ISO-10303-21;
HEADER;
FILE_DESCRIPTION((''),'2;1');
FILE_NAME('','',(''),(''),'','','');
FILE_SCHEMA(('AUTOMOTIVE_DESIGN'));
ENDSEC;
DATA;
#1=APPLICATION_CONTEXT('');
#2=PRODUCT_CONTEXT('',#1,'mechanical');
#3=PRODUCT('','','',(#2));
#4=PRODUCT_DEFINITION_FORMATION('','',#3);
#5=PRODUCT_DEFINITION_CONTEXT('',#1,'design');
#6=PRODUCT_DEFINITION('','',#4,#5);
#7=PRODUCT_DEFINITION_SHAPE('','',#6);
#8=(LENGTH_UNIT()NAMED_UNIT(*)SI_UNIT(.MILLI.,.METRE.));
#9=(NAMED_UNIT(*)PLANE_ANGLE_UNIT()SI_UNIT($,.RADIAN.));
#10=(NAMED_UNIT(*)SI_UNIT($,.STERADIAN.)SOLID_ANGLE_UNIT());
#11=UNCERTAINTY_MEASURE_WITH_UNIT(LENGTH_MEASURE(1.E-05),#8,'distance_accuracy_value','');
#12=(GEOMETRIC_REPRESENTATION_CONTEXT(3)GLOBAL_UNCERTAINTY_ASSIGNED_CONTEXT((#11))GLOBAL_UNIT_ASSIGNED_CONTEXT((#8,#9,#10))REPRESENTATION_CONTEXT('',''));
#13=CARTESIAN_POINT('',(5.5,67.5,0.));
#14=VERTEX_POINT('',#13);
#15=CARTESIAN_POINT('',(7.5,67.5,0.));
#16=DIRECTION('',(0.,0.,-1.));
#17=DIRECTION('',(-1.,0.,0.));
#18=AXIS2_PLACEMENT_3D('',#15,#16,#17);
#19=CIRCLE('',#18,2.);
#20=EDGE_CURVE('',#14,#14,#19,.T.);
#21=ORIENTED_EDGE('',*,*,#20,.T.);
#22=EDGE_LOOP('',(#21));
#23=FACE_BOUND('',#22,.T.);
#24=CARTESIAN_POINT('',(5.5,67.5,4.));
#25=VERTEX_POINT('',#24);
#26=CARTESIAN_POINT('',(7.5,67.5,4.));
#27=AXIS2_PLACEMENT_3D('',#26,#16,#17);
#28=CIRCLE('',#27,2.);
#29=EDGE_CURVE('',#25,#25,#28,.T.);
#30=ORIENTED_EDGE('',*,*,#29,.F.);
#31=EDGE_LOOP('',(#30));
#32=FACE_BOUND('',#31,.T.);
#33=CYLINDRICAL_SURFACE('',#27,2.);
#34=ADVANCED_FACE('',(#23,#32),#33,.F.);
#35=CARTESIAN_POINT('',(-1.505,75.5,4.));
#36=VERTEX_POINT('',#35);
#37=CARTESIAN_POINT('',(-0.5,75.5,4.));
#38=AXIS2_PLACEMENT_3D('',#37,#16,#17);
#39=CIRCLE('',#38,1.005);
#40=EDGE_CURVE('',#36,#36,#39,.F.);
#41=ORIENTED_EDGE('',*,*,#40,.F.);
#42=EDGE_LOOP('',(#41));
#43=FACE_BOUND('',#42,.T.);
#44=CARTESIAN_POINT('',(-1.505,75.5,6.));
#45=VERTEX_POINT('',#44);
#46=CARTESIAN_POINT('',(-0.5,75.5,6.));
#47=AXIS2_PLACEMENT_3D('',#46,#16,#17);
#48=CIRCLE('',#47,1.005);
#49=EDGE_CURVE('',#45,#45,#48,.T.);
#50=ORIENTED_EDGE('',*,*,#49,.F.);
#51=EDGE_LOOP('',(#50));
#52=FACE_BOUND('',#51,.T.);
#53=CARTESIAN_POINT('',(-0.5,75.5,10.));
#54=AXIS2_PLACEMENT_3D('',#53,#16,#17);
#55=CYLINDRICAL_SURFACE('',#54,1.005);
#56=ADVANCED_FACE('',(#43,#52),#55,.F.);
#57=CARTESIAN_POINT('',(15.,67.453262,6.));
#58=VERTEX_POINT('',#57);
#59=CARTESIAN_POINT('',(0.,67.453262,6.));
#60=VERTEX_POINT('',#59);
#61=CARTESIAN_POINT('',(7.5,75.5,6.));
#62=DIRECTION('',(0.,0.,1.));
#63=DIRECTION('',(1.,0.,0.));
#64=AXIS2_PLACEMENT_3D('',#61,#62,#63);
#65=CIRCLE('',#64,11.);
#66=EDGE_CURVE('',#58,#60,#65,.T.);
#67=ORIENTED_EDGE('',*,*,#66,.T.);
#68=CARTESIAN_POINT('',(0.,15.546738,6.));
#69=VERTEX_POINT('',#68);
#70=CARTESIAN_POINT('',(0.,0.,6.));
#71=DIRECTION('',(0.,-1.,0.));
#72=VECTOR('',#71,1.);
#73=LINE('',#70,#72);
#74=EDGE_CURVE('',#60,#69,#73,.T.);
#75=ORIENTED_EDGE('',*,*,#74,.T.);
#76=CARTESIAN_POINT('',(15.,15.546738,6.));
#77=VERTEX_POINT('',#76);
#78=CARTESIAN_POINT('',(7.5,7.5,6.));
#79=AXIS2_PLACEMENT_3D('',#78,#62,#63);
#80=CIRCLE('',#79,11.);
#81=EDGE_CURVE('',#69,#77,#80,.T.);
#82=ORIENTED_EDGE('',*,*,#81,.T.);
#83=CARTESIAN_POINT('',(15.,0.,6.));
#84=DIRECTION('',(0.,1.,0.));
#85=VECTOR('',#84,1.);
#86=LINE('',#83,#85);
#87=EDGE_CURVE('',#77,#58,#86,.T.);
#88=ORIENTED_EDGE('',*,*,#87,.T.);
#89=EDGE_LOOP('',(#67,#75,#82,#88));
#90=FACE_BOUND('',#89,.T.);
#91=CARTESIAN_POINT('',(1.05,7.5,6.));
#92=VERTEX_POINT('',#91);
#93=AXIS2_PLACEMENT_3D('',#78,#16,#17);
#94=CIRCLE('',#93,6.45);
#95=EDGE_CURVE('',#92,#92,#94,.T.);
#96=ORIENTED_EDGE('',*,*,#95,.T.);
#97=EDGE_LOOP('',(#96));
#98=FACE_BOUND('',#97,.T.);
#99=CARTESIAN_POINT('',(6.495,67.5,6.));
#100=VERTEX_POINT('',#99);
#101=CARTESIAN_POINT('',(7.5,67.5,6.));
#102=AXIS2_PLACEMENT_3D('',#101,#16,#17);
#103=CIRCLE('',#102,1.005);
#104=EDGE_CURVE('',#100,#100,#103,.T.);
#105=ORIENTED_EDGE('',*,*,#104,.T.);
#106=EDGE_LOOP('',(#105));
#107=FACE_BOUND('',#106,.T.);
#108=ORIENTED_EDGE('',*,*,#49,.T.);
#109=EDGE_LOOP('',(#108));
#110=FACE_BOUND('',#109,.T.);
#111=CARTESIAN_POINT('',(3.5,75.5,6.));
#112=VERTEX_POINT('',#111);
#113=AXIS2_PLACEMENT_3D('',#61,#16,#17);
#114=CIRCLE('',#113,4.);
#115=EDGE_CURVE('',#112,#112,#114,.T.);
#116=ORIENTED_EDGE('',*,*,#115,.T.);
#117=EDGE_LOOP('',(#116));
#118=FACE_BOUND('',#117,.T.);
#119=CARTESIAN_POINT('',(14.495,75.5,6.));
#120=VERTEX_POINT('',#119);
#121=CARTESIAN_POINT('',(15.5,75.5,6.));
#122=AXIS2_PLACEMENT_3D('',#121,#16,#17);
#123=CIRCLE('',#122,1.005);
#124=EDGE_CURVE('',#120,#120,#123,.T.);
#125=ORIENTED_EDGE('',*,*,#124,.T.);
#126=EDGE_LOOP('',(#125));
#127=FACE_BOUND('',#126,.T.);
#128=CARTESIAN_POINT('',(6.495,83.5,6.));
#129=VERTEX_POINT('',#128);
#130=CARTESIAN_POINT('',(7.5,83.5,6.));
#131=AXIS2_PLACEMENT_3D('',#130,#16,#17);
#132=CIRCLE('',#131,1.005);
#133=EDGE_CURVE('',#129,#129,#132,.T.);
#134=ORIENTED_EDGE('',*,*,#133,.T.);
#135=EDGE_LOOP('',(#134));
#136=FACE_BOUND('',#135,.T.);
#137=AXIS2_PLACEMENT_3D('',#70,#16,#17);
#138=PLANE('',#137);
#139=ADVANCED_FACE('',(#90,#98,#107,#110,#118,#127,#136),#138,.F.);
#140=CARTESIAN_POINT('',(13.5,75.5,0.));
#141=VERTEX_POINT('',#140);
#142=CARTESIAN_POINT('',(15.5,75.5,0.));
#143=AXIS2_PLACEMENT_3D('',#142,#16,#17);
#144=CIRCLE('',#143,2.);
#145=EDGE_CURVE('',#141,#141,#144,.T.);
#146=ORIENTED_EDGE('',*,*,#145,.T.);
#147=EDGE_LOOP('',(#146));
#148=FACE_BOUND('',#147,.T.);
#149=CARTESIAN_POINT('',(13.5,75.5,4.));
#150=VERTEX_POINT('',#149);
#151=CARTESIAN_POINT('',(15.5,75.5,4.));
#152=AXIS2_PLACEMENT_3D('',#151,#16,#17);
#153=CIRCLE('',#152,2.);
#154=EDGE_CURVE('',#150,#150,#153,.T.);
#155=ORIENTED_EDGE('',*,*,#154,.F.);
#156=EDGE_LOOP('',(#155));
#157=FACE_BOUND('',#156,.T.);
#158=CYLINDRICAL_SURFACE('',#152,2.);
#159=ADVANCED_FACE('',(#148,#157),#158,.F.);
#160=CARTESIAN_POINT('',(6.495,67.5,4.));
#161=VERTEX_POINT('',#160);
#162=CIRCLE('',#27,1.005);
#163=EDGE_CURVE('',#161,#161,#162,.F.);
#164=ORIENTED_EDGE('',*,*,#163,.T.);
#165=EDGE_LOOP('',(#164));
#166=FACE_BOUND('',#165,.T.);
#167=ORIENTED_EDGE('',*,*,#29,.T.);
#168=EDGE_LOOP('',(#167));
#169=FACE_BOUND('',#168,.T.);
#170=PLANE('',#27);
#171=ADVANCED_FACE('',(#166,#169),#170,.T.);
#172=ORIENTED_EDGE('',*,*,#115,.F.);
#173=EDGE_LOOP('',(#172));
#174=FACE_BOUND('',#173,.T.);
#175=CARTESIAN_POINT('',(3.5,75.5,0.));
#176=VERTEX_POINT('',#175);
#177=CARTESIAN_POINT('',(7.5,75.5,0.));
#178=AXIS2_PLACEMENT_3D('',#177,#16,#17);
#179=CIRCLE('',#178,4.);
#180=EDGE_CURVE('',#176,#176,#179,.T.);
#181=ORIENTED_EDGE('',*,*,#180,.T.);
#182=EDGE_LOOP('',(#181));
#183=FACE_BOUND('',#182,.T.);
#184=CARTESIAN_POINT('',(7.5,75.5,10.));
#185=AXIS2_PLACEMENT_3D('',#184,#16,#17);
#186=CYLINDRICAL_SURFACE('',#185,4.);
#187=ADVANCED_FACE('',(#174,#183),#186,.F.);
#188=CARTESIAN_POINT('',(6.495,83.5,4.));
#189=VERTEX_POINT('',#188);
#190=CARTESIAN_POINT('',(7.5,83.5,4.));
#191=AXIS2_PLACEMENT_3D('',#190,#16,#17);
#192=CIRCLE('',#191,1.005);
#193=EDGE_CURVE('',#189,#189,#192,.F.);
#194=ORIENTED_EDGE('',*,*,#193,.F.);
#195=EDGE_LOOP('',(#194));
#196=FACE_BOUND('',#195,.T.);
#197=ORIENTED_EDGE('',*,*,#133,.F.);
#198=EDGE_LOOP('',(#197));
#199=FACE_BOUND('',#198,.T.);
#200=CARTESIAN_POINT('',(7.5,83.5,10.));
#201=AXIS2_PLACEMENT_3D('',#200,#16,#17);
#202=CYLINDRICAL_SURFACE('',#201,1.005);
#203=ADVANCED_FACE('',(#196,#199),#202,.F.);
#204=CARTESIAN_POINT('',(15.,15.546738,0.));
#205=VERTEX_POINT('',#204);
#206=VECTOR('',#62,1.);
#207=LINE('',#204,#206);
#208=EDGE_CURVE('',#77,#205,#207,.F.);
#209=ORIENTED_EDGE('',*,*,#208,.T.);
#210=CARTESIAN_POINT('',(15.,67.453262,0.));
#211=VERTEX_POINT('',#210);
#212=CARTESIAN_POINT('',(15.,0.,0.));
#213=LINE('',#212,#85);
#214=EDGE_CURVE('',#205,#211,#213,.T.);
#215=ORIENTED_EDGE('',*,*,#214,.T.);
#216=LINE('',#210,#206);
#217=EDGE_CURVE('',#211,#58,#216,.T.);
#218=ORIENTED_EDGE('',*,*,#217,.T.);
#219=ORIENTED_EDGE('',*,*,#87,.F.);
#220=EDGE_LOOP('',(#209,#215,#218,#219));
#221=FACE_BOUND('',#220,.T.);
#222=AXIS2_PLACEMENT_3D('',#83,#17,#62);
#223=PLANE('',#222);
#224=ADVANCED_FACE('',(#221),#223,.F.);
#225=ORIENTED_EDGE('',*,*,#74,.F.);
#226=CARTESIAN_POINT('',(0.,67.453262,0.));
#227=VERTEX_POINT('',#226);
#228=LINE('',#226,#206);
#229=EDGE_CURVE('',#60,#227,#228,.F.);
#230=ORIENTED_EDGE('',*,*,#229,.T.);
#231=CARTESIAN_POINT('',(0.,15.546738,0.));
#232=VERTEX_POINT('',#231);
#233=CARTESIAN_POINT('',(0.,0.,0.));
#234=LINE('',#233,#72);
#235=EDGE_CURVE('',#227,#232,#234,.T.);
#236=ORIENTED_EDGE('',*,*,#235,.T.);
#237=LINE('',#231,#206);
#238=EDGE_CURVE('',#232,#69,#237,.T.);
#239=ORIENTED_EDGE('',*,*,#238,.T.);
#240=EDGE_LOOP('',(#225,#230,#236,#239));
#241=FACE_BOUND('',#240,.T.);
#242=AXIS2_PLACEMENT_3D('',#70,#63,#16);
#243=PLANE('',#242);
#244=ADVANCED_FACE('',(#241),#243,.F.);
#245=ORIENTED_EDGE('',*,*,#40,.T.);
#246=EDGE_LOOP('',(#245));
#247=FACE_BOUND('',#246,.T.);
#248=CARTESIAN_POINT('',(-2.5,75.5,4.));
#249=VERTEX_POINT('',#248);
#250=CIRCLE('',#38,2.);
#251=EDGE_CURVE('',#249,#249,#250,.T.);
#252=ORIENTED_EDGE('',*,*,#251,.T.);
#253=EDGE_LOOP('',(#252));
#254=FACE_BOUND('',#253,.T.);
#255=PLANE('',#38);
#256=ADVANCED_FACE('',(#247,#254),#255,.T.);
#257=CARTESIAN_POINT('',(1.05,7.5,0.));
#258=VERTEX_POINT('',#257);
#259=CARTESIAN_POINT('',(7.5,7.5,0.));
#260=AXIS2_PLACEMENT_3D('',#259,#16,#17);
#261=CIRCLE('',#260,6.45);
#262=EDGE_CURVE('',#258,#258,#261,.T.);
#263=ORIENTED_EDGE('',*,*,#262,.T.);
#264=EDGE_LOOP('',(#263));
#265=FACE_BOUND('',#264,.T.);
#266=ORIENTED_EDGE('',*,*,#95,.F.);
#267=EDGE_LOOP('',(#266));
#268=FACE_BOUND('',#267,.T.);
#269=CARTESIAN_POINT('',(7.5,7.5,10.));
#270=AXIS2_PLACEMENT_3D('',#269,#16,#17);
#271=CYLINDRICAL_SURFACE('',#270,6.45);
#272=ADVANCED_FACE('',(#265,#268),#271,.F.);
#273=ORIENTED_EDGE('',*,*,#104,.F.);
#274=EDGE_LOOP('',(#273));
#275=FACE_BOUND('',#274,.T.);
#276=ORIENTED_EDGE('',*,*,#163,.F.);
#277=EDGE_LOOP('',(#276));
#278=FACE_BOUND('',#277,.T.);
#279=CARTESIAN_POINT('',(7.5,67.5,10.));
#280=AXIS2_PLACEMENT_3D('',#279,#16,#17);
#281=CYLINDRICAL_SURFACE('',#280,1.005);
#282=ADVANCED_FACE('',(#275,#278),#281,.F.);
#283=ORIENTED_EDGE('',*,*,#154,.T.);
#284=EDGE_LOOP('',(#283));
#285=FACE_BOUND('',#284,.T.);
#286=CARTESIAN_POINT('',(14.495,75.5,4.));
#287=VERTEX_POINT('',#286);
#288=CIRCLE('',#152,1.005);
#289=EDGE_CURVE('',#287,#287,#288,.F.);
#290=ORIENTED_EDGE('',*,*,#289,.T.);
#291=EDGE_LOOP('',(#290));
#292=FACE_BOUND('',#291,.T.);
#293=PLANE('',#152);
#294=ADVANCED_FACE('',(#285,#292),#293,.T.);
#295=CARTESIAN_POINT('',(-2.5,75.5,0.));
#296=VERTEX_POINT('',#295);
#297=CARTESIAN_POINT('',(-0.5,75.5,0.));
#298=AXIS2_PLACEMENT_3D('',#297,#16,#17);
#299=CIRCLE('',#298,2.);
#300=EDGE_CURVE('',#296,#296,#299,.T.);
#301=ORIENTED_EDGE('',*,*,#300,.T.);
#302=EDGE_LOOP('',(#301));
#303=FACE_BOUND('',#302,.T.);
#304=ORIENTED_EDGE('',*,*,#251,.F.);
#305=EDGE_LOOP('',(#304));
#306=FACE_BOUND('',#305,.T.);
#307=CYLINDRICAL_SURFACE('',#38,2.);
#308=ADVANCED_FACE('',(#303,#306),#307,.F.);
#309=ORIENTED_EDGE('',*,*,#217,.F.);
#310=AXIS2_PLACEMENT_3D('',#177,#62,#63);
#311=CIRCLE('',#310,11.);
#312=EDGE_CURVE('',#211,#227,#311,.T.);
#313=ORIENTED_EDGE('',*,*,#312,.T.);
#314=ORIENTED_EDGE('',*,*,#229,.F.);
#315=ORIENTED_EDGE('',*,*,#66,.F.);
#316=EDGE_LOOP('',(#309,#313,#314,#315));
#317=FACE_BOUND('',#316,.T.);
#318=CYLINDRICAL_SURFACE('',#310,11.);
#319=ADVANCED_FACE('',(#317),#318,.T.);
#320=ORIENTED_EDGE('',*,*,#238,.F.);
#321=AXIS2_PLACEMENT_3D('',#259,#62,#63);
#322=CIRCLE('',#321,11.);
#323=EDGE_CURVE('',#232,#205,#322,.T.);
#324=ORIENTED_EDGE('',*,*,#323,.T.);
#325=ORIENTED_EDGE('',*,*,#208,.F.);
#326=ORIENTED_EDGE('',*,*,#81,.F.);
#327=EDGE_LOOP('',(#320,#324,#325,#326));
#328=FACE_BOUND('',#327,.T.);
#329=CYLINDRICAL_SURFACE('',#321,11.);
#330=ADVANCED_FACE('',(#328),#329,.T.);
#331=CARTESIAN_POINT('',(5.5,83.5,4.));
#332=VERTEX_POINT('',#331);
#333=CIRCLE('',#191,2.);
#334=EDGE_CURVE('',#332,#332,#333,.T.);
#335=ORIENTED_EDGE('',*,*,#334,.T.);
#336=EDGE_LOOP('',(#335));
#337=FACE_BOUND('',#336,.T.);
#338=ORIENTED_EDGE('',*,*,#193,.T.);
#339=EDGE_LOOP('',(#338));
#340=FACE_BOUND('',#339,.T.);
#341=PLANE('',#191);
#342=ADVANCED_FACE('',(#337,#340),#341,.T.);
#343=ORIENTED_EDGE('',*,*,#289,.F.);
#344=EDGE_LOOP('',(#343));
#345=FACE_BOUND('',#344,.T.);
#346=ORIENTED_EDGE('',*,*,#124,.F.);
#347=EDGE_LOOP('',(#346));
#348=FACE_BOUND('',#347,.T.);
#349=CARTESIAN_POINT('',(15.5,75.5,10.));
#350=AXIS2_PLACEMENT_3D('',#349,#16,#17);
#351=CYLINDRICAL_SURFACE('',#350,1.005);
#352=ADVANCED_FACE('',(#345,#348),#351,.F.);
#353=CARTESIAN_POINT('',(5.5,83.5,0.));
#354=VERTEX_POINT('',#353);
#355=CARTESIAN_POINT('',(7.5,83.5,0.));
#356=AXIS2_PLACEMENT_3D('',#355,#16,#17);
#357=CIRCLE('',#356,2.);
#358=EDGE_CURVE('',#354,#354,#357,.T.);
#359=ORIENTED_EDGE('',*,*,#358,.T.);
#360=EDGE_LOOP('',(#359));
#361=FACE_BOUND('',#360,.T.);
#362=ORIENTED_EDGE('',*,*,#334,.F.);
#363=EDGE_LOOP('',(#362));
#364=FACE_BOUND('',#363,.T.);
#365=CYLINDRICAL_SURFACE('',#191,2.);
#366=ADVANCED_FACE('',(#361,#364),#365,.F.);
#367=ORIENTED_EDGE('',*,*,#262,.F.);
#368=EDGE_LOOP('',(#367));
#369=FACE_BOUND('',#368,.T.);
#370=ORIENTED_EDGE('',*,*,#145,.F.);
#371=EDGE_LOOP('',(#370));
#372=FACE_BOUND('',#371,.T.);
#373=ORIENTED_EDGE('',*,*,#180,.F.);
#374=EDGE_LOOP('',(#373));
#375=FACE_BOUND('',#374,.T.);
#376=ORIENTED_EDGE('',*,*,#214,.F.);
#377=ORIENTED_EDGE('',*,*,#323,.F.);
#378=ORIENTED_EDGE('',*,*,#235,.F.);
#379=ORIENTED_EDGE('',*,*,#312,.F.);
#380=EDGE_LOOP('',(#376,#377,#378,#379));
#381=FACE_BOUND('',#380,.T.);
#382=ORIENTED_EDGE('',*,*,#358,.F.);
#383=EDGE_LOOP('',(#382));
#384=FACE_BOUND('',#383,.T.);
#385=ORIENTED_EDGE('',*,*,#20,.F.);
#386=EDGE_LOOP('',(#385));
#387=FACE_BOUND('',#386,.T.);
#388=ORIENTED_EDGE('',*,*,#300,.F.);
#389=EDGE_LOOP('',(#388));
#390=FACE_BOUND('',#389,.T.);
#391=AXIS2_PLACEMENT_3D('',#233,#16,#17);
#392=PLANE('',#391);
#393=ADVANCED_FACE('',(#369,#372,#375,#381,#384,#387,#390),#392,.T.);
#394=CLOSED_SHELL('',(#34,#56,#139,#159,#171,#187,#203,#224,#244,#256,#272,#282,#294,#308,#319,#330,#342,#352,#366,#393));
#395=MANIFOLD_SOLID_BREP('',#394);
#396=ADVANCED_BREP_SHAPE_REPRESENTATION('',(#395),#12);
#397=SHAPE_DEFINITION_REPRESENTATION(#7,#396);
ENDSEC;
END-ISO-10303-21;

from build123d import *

# Parameters (mm, degrees)
ESQUISSE1_W             = 15
ESQUISSE1_H             = 83
BOSS_EXTRU_1_DEPTH      = 6
ESQUISSE2_R             = 11
BOSS_EXTRU_2_DEPTH      = 6
ESQUISSE4_R             = 4
ESQUISSE4_R_2           = 1.005
ESQUISSE4_R_3           = 6.45
ENL_V_MAT_EXTRU_2_DEPTH = 10
ESQUISSE5_R             = 2
ENL_V_MAT_EXTRU_3_DEPTH = 4


with BuildPart() as part:
    # Esquisse1 → Boss.-Extru.1 (new body)
    with BuildSketch(Plane.XY):
        with Locations((7.5, 41.5)):
            Rectangle(ESQUISSE1_W, ESQUISSE1_H)
    extrude(amount=BOSS_EXTRU_1_DEPTH)

    # Esquisse2 → Boss.-Extru.2 (add)
    with BuildSketch(Plane.XY.offset(6)):
        with Locations((7.5, 7.5)):
            Circle(ESQUISSE2_R)
        with Locations((7.5, 75.5)):
            Circle(ESQUISSE2_R)
    extrude(amount=-BOSS_EXTRU_2_DEPTH)

    # Esquisse4 → Enlèv. mat.-Extru.2 (cut)
    with BuildSketch(Plane(origin=(0, 0, 0), x_dir=(-1, 0, 0), z_dir=(0, 0, -1))):
        with Locations((-7.5, 75.5)):
            Circle(ESQUISSE4_R)
        with Locations((-7.5, 67.5)):
            Circle(ESQUISSE4_R_2)
        with Locations((-15.5, 75.5)):
            Circle(ESQUISSE4_R_2)
        with Locations((-7.5, 83.5)):
            Circle(ESQUISSE4_R_2)
        with Locations((0.5, 75.5)):
            Circle(ESQUISSE4_R_2)
        with Locations((-7.5, 7.5)):
            Circle(ESQUISSE4_R_3)
    extrude(amount=-ENL_V_MAT_EXTRU_2_DEPTH, mode=Mode.SUBTRACT)

    # Esquisse5 → Enlèv. mat.-Extru.3 (cut)
    with BuildSketch(Plane(origin=(0, 0, 0), x_dir=(-1, 0, 0), z_dir=(0, 0, -1))):
        with Locations((-15.5, 75.5)):
            Circle(ESQUISSE5_R)
        with Locations((-7.5, 83.5)):
            Circle(ESQUISSE5_R)
        with Locations((0.5, 75.5)):
            Circle(ESQUISSE5_R)
        with Locations((-7.5, 67.5)):
            Circle(ESQUISSE5_R)
    extrude(amount=-ENL_V_MAT_EXTRU_3_DEPTH, mode=Mode.SUBTRACT)


solid = part.part
